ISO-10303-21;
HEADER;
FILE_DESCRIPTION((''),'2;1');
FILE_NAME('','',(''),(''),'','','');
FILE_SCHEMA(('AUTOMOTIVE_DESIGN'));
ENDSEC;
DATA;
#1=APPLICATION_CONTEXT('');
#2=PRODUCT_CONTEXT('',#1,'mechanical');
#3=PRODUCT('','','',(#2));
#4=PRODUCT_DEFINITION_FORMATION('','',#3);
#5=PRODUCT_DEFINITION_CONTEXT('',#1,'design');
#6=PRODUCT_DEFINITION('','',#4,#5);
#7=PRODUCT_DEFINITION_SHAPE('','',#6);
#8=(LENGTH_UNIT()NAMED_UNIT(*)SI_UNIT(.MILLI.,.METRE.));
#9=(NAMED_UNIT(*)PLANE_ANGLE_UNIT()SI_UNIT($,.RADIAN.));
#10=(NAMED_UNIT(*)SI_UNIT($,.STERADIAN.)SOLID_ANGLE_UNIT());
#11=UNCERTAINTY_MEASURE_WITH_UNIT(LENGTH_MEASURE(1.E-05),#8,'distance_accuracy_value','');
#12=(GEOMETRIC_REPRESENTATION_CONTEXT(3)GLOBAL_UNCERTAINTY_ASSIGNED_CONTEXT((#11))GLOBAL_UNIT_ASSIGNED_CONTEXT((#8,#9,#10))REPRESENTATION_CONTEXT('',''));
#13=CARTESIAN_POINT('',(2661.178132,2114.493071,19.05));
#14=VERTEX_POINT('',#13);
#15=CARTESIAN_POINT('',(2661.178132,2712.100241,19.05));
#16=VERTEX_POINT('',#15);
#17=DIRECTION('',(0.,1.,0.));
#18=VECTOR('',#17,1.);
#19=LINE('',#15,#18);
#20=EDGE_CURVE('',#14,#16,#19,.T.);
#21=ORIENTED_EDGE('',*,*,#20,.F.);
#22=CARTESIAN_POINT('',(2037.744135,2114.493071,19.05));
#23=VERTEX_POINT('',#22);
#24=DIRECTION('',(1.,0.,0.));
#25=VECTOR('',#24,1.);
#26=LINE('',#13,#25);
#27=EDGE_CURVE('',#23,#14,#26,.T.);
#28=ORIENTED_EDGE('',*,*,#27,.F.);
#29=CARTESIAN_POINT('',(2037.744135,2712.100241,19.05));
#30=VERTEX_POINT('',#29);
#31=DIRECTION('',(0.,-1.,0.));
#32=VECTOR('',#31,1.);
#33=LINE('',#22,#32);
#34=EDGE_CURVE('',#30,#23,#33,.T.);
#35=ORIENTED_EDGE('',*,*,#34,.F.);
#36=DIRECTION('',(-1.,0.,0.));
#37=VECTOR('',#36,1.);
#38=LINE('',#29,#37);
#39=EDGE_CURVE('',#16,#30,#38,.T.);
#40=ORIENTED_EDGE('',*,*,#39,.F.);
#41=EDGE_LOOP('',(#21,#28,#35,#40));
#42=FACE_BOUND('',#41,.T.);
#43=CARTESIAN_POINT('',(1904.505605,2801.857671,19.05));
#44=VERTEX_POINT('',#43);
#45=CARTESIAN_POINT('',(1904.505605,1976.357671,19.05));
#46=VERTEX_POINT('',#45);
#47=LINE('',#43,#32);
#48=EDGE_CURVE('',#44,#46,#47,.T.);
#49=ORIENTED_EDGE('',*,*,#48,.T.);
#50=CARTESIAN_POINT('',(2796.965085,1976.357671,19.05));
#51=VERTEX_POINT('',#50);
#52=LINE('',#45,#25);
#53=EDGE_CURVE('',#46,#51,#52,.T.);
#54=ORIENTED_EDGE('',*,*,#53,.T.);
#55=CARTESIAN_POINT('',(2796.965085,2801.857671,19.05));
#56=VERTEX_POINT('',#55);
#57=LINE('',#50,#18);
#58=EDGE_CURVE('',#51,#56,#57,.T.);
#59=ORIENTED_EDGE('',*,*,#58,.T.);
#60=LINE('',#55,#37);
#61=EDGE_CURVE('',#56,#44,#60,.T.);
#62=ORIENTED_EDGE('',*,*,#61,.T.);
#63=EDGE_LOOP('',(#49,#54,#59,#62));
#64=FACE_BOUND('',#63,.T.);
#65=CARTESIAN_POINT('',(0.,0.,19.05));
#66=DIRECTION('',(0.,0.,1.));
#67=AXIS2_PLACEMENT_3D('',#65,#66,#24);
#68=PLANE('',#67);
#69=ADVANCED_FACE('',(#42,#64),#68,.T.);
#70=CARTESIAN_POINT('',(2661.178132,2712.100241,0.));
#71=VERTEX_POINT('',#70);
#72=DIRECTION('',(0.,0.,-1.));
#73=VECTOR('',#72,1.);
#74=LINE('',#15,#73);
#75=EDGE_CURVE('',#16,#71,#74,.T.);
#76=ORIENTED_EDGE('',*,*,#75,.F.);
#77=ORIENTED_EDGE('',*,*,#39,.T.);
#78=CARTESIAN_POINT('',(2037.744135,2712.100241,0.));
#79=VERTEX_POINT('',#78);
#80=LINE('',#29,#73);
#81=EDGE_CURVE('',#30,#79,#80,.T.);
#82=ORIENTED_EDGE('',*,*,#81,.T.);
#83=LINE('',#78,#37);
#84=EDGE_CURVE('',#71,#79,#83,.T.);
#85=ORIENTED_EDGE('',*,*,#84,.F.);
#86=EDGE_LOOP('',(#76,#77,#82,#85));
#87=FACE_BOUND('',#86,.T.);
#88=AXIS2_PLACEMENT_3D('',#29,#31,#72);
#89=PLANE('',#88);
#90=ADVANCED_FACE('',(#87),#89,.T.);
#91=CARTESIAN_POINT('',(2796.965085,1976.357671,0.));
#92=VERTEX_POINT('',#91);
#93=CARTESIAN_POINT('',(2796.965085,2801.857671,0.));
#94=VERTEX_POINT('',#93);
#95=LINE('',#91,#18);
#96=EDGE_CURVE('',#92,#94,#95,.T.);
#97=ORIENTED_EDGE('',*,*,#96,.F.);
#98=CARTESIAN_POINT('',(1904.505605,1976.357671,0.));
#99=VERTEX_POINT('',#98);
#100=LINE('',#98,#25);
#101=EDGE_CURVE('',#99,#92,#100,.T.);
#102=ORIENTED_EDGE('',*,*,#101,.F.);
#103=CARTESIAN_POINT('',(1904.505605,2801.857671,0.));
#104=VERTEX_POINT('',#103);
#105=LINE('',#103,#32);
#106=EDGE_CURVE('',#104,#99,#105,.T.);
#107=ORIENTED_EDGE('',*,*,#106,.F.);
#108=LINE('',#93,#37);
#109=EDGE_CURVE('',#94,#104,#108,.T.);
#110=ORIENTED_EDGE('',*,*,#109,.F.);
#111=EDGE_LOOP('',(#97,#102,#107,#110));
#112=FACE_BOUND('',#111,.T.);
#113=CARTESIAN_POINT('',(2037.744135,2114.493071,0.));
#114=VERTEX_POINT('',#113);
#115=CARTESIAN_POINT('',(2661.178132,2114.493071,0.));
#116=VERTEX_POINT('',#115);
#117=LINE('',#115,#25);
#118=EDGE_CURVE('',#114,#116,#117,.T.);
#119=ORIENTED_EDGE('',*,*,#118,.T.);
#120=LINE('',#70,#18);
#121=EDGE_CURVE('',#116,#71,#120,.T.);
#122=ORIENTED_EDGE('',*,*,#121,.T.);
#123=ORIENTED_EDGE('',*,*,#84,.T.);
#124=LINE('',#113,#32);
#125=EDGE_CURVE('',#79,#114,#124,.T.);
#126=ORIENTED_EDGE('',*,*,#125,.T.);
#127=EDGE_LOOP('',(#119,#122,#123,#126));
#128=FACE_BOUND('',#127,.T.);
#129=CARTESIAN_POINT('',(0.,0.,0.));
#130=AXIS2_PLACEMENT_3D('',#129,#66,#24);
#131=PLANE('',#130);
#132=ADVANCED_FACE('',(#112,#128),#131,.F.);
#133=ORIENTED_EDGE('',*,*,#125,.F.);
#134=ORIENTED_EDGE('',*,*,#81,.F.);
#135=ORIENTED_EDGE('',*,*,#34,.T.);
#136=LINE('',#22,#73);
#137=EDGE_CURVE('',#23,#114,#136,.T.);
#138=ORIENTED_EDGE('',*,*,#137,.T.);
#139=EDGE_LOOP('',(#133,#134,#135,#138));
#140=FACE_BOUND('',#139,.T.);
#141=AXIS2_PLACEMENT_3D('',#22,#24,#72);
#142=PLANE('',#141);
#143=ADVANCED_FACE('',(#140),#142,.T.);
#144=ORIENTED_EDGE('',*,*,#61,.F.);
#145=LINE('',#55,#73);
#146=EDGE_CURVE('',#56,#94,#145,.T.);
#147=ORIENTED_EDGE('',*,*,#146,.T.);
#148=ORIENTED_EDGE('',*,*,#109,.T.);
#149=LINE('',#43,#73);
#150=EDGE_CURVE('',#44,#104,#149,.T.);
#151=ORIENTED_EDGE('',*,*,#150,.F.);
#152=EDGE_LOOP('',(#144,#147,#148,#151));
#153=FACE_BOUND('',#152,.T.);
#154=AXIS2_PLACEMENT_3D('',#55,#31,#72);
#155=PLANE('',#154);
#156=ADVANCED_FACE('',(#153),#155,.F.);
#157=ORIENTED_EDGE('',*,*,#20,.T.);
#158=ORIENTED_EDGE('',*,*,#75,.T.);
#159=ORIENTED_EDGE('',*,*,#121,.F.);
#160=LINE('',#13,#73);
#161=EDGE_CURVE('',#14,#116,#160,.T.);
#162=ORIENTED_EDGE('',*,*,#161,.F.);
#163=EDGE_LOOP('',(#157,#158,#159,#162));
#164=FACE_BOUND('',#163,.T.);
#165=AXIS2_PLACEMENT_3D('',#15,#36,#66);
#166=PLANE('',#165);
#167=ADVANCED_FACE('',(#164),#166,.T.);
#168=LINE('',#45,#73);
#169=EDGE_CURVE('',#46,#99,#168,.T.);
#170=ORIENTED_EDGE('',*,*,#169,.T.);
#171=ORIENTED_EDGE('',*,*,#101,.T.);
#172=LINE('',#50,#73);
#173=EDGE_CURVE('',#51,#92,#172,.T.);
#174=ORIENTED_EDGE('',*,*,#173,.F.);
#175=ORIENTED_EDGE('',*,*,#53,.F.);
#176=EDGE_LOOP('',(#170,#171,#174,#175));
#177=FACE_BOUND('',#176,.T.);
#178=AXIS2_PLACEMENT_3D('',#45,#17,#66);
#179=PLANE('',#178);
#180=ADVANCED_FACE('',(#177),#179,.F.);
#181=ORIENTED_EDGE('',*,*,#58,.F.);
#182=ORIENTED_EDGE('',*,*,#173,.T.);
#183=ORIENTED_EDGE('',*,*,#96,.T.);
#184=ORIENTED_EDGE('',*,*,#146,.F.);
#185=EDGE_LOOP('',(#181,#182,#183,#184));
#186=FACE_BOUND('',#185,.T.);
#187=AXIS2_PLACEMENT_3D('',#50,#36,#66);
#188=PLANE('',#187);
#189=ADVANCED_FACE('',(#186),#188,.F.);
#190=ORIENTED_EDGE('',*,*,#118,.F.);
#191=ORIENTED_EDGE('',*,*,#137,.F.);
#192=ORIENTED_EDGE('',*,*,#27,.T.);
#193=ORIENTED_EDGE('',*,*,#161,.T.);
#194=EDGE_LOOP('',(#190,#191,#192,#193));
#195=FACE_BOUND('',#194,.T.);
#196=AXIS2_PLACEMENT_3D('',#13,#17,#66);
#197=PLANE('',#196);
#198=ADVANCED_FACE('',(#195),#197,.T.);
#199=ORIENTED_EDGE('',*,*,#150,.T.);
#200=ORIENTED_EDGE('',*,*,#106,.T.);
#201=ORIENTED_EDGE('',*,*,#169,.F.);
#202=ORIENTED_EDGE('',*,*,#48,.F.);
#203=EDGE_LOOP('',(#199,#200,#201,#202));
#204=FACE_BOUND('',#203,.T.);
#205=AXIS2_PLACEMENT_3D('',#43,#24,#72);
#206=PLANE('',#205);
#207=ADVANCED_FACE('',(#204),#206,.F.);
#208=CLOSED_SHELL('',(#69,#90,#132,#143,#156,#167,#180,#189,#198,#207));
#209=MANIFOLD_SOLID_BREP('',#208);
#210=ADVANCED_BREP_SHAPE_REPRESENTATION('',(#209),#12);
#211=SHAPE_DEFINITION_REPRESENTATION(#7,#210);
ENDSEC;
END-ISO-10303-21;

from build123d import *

# Parameters (mm, degrees)
SKETCH2_W           = 892.45948
SKETCH2_H           = 825.5
SKETCH2_W_2         = 623.433997163
SKETCH2_H_2         = 597.607170609
BOSS_EXTRUDE1_DEPTH = 19.05


with BuildPart() as part:
    # Sketch2 → Boss-Extrude1 (new body)
    with BuildSketch(Plane.XY):
        with Locations((2350.735344961, 2389.107671121)):
            Rectangle(SKETCH2_W, SKETCH2_H)
        with Locations((2349.461133434, 2413.296655929)):
            Rectangle(SKETCH2_W_2, SKETCH2_H_2, mode=Mode.SUBTRACT)
    extrude(amount=BOSS_EXTRUDE1_DEPTH)


solid = part.part
